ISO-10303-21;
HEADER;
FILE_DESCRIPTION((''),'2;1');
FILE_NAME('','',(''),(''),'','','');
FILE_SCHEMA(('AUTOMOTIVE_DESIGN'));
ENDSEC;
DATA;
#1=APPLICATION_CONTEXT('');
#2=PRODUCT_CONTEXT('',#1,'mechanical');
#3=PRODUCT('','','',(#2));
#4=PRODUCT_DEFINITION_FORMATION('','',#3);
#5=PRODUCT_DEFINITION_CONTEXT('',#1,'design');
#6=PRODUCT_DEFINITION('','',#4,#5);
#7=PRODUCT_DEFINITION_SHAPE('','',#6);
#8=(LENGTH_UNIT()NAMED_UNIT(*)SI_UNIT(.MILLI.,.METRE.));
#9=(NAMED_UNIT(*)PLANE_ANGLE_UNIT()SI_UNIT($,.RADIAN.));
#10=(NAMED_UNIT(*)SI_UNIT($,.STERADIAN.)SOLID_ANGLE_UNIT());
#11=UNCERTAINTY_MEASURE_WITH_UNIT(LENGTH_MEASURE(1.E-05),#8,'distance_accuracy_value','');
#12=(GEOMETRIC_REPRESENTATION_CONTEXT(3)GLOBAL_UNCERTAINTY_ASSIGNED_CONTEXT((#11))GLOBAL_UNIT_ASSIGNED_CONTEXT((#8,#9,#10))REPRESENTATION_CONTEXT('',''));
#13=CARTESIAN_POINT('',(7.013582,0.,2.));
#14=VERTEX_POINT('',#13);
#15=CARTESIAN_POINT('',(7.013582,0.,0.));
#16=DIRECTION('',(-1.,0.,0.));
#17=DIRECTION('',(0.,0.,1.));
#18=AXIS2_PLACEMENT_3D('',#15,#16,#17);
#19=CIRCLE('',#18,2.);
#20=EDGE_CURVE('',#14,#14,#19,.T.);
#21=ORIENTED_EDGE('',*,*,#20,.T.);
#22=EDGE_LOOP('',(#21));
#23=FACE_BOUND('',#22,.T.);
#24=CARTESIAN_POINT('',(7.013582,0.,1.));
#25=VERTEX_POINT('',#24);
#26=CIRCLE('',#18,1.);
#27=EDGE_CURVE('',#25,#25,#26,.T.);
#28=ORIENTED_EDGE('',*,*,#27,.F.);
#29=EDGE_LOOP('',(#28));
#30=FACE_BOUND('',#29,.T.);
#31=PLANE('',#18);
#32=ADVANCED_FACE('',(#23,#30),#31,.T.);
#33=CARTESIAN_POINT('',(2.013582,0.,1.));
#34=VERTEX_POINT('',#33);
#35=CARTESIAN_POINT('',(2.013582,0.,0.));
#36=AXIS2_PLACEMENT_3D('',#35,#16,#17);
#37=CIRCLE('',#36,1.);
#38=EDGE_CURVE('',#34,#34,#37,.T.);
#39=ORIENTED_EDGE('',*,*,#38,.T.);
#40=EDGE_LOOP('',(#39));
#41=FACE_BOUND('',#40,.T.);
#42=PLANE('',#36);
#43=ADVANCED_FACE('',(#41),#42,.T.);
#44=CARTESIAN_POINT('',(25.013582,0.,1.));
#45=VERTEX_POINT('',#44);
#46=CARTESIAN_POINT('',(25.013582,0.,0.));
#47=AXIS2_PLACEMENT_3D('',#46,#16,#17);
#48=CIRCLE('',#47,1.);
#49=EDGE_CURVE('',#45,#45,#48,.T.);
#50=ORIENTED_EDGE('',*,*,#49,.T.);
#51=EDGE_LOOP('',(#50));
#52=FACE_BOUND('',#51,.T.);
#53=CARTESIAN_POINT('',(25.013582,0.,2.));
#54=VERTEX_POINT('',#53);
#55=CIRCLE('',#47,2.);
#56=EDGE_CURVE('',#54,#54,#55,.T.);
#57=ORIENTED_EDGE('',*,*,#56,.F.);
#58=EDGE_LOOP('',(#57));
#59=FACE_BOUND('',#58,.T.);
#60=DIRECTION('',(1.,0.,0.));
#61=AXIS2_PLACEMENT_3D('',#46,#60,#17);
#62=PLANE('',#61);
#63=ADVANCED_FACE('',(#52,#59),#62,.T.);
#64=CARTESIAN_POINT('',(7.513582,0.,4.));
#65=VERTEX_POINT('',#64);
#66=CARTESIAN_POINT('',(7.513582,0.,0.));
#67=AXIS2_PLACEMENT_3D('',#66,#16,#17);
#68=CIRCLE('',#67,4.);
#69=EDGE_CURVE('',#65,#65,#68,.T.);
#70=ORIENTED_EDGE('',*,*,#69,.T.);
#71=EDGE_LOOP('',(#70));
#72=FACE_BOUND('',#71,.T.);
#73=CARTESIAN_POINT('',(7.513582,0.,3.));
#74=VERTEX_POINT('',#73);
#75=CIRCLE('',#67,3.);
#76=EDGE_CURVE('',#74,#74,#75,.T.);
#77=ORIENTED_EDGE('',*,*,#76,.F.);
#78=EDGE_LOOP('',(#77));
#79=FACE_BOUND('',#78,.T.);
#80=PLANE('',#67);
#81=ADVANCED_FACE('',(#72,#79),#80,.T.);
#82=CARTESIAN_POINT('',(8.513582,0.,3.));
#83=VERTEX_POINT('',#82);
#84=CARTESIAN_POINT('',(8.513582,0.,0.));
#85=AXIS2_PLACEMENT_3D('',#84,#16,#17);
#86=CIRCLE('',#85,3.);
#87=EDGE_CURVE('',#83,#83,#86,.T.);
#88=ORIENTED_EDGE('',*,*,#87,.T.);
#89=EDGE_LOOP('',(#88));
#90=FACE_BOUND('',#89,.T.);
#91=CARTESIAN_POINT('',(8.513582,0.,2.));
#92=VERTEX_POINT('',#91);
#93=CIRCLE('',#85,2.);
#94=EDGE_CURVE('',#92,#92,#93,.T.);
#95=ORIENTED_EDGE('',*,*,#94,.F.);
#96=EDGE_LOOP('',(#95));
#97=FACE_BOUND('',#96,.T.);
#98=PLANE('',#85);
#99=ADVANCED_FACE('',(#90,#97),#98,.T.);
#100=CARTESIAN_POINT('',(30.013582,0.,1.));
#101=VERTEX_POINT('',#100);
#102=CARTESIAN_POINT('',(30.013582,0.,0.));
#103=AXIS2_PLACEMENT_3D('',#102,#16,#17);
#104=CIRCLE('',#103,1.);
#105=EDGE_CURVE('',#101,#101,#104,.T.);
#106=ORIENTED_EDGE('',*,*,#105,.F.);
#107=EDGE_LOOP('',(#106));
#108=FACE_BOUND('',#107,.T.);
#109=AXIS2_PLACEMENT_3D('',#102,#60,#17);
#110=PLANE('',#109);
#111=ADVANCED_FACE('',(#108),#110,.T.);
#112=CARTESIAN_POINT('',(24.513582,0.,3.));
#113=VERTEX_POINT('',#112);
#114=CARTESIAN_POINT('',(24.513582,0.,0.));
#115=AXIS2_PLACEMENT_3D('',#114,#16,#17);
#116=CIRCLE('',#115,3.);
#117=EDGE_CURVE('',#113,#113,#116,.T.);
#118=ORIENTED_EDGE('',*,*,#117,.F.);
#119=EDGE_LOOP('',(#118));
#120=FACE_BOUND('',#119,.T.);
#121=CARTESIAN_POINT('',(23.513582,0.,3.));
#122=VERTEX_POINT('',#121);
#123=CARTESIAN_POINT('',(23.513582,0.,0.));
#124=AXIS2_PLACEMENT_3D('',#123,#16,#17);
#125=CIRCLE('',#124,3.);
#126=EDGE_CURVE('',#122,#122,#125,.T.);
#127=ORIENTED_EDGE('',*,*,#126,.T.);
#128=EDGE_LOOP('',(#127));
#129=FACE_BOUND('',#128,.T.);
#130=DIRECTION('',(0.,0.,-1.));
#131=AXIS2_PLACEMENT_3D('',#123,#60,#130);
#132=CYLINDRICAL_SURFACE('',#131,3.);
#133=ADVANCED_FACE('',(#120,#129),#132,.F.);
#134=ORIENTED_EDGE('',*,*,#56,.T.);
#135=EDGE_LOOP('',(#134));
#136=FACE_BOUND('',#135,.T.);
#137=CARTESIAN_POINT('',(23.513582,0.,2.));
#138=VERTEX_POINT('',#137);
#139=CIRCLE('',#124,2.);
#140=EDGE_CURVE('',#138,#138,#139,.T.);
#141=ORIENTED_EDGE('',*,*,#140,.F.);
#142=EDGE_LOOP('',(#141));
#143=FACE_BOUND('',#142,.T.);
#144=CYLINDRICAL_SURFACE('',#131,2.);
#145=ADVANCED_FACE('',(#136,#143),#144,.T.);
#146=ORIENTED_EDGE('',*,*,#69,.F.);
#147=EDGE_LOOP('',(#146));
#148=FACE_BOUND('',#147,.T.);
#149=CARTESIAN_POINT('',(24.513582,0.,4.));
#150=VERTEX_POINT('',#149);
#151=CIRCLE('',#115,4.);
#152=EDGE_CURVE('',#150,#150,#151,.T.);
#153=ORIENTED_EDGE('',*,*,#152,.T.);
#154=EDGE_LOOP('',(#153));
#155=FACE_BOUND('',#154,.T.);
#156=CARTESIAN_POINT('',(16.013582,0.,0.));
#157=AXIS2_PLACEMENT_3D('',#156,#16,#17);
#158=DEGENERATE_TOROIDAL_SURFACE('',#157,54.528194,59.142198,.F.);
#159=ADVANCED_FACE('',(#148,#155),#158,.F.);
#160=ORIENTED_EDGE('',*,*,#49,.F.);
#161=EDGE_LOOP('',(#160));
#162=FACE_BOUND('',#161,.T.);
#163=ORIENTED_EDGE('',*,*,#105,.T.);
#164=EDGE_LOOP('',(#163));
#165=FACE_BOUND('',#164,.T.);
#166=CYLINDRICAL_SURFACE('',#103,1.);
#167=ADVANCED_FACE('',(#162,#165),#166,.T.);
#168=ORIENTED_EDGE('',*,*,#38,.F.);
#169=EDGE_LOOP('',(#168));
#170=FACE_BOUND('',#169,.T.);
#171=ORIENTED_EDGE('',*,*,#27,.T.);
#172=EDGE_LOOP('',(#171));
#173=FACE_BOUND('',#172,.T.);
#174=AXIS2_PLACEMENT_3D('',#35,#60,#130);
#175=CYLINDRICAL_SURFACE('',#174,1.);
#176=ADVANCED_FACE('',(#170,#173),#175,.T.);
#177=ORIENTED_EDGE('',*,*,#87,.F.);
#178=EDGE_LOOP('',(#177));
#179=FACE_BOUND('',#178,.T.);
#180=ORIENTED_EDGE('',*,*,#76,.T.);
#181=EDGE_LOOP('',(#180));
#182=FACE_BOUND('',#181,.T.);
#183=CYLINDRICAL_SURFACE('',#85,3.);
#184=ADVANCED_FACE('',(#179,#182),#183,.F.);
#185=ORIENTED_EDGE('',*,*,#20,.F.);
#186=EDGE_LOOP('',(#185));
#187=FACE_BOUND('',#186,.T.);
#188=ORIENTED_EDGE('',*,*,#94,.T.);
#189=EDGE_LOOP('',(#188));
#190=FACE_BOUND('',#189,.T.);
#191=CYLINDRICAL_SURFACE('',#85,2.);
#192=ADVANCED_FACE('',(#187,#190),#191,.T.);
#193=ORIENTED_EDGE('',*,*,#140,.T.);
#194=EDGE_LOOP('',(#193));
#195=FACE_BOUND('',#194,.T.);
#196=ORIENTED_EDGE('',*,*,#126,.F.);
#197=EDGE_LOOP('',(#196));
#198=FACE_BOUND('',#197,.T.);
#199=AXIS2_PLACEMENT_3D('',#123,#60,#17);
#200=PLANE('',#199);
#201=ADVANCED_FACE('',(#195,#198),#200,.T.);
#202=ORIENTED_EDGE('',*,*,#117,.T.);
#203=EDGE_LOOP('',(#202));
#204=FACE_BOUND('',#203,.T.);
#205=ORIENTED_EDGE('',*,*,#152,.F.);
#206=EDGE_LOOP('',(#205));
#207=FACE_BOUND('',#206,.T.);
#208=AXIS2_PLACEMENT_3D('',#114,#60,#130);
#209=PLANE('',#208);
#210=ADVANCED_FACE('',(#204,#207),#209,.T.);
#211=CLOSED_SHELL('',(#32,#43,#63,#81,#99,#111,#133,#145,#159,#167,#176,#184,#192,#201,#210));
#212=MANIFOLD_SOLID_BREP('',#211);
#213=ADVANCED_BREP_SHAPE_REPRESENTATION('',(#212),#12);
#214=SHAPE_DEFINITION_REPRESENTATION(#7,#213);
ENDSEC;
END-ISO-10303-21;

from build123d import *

# Parameters (mm, degrees)
SKETCH_2_R          = 3
SKETCH_2_R_2        = 2
CUT_EXTRUDE_1_DEPTH = 1
SKETCH_3_R          = 2
EXTRUDE_1_DEPTH     = 0.5
SKETCH_5_R          = 1
EXTRUDE_3_DEPTH     = 5


with BuildPart() as part:
    # 草图1 → 旋转2 (revolve)
    with BuildSketch(Plane.XY):
        with BuildLine():
            Line((7.513582187, 0), (7.513582187, -4))
            ThreePointArc((7.513582187, -4), (16.013582187, -4.614003224), (24.513582187, -4))
            Line((24.513582187, -4), (24.513582187, 0))
            Line((24.513582187, 0), (7.513582187, 0))
        make_face()
    revolve(axis=Axis((7.513582187, 0, 0), (1, 0, 0)))

    # 草图2 → 切除-拉伸1 (cut)
    with BuildSketch(Plane.ZY.offset(-7.513582187)):
        Circle(SKETCH_2_R)
        Circle(SKETCH_2_R_2, mode=Mode.SUBTRACT)
    cut_extrude_1 = extrude(amount=-CUT_EXTRUDE_1_DEPTH, mode=Mode.SUBTRACT)

    # 草图3 → 凸台-拉伸1 (add)
    with BuildSketch(Plane.ZY.offset(-7.513582187)):
        Circle(SKETCH_3_R)
    extrude_1 = extrude(amount=EXTRUDE_1_DEPTH)

    # 草图5 → 凸台-拉伸3 (add)
    with BuildSketch(Plane.ZY.offset(-7.013582187)):
        Circle(SKETCH_5_R)
    extrude_3 = extrude(amount=EXTRUDE_3_DEPTH)

    # 镜向4: 切除-拉伸1, 凸台-拉伸1, 凸台-拉伸3 across plane
    add(cut_extrude_1.mirror(Plane.ZY.offset(-16.013582187)), mode=Mode.SUBTRACT)
    add(extrude_1.mirror(Plane.ZY.offset(-16.013582187)))
    add(extrude_3.mirror(Plane.ZY.offset(-16.013582187)))


solid = part.part
